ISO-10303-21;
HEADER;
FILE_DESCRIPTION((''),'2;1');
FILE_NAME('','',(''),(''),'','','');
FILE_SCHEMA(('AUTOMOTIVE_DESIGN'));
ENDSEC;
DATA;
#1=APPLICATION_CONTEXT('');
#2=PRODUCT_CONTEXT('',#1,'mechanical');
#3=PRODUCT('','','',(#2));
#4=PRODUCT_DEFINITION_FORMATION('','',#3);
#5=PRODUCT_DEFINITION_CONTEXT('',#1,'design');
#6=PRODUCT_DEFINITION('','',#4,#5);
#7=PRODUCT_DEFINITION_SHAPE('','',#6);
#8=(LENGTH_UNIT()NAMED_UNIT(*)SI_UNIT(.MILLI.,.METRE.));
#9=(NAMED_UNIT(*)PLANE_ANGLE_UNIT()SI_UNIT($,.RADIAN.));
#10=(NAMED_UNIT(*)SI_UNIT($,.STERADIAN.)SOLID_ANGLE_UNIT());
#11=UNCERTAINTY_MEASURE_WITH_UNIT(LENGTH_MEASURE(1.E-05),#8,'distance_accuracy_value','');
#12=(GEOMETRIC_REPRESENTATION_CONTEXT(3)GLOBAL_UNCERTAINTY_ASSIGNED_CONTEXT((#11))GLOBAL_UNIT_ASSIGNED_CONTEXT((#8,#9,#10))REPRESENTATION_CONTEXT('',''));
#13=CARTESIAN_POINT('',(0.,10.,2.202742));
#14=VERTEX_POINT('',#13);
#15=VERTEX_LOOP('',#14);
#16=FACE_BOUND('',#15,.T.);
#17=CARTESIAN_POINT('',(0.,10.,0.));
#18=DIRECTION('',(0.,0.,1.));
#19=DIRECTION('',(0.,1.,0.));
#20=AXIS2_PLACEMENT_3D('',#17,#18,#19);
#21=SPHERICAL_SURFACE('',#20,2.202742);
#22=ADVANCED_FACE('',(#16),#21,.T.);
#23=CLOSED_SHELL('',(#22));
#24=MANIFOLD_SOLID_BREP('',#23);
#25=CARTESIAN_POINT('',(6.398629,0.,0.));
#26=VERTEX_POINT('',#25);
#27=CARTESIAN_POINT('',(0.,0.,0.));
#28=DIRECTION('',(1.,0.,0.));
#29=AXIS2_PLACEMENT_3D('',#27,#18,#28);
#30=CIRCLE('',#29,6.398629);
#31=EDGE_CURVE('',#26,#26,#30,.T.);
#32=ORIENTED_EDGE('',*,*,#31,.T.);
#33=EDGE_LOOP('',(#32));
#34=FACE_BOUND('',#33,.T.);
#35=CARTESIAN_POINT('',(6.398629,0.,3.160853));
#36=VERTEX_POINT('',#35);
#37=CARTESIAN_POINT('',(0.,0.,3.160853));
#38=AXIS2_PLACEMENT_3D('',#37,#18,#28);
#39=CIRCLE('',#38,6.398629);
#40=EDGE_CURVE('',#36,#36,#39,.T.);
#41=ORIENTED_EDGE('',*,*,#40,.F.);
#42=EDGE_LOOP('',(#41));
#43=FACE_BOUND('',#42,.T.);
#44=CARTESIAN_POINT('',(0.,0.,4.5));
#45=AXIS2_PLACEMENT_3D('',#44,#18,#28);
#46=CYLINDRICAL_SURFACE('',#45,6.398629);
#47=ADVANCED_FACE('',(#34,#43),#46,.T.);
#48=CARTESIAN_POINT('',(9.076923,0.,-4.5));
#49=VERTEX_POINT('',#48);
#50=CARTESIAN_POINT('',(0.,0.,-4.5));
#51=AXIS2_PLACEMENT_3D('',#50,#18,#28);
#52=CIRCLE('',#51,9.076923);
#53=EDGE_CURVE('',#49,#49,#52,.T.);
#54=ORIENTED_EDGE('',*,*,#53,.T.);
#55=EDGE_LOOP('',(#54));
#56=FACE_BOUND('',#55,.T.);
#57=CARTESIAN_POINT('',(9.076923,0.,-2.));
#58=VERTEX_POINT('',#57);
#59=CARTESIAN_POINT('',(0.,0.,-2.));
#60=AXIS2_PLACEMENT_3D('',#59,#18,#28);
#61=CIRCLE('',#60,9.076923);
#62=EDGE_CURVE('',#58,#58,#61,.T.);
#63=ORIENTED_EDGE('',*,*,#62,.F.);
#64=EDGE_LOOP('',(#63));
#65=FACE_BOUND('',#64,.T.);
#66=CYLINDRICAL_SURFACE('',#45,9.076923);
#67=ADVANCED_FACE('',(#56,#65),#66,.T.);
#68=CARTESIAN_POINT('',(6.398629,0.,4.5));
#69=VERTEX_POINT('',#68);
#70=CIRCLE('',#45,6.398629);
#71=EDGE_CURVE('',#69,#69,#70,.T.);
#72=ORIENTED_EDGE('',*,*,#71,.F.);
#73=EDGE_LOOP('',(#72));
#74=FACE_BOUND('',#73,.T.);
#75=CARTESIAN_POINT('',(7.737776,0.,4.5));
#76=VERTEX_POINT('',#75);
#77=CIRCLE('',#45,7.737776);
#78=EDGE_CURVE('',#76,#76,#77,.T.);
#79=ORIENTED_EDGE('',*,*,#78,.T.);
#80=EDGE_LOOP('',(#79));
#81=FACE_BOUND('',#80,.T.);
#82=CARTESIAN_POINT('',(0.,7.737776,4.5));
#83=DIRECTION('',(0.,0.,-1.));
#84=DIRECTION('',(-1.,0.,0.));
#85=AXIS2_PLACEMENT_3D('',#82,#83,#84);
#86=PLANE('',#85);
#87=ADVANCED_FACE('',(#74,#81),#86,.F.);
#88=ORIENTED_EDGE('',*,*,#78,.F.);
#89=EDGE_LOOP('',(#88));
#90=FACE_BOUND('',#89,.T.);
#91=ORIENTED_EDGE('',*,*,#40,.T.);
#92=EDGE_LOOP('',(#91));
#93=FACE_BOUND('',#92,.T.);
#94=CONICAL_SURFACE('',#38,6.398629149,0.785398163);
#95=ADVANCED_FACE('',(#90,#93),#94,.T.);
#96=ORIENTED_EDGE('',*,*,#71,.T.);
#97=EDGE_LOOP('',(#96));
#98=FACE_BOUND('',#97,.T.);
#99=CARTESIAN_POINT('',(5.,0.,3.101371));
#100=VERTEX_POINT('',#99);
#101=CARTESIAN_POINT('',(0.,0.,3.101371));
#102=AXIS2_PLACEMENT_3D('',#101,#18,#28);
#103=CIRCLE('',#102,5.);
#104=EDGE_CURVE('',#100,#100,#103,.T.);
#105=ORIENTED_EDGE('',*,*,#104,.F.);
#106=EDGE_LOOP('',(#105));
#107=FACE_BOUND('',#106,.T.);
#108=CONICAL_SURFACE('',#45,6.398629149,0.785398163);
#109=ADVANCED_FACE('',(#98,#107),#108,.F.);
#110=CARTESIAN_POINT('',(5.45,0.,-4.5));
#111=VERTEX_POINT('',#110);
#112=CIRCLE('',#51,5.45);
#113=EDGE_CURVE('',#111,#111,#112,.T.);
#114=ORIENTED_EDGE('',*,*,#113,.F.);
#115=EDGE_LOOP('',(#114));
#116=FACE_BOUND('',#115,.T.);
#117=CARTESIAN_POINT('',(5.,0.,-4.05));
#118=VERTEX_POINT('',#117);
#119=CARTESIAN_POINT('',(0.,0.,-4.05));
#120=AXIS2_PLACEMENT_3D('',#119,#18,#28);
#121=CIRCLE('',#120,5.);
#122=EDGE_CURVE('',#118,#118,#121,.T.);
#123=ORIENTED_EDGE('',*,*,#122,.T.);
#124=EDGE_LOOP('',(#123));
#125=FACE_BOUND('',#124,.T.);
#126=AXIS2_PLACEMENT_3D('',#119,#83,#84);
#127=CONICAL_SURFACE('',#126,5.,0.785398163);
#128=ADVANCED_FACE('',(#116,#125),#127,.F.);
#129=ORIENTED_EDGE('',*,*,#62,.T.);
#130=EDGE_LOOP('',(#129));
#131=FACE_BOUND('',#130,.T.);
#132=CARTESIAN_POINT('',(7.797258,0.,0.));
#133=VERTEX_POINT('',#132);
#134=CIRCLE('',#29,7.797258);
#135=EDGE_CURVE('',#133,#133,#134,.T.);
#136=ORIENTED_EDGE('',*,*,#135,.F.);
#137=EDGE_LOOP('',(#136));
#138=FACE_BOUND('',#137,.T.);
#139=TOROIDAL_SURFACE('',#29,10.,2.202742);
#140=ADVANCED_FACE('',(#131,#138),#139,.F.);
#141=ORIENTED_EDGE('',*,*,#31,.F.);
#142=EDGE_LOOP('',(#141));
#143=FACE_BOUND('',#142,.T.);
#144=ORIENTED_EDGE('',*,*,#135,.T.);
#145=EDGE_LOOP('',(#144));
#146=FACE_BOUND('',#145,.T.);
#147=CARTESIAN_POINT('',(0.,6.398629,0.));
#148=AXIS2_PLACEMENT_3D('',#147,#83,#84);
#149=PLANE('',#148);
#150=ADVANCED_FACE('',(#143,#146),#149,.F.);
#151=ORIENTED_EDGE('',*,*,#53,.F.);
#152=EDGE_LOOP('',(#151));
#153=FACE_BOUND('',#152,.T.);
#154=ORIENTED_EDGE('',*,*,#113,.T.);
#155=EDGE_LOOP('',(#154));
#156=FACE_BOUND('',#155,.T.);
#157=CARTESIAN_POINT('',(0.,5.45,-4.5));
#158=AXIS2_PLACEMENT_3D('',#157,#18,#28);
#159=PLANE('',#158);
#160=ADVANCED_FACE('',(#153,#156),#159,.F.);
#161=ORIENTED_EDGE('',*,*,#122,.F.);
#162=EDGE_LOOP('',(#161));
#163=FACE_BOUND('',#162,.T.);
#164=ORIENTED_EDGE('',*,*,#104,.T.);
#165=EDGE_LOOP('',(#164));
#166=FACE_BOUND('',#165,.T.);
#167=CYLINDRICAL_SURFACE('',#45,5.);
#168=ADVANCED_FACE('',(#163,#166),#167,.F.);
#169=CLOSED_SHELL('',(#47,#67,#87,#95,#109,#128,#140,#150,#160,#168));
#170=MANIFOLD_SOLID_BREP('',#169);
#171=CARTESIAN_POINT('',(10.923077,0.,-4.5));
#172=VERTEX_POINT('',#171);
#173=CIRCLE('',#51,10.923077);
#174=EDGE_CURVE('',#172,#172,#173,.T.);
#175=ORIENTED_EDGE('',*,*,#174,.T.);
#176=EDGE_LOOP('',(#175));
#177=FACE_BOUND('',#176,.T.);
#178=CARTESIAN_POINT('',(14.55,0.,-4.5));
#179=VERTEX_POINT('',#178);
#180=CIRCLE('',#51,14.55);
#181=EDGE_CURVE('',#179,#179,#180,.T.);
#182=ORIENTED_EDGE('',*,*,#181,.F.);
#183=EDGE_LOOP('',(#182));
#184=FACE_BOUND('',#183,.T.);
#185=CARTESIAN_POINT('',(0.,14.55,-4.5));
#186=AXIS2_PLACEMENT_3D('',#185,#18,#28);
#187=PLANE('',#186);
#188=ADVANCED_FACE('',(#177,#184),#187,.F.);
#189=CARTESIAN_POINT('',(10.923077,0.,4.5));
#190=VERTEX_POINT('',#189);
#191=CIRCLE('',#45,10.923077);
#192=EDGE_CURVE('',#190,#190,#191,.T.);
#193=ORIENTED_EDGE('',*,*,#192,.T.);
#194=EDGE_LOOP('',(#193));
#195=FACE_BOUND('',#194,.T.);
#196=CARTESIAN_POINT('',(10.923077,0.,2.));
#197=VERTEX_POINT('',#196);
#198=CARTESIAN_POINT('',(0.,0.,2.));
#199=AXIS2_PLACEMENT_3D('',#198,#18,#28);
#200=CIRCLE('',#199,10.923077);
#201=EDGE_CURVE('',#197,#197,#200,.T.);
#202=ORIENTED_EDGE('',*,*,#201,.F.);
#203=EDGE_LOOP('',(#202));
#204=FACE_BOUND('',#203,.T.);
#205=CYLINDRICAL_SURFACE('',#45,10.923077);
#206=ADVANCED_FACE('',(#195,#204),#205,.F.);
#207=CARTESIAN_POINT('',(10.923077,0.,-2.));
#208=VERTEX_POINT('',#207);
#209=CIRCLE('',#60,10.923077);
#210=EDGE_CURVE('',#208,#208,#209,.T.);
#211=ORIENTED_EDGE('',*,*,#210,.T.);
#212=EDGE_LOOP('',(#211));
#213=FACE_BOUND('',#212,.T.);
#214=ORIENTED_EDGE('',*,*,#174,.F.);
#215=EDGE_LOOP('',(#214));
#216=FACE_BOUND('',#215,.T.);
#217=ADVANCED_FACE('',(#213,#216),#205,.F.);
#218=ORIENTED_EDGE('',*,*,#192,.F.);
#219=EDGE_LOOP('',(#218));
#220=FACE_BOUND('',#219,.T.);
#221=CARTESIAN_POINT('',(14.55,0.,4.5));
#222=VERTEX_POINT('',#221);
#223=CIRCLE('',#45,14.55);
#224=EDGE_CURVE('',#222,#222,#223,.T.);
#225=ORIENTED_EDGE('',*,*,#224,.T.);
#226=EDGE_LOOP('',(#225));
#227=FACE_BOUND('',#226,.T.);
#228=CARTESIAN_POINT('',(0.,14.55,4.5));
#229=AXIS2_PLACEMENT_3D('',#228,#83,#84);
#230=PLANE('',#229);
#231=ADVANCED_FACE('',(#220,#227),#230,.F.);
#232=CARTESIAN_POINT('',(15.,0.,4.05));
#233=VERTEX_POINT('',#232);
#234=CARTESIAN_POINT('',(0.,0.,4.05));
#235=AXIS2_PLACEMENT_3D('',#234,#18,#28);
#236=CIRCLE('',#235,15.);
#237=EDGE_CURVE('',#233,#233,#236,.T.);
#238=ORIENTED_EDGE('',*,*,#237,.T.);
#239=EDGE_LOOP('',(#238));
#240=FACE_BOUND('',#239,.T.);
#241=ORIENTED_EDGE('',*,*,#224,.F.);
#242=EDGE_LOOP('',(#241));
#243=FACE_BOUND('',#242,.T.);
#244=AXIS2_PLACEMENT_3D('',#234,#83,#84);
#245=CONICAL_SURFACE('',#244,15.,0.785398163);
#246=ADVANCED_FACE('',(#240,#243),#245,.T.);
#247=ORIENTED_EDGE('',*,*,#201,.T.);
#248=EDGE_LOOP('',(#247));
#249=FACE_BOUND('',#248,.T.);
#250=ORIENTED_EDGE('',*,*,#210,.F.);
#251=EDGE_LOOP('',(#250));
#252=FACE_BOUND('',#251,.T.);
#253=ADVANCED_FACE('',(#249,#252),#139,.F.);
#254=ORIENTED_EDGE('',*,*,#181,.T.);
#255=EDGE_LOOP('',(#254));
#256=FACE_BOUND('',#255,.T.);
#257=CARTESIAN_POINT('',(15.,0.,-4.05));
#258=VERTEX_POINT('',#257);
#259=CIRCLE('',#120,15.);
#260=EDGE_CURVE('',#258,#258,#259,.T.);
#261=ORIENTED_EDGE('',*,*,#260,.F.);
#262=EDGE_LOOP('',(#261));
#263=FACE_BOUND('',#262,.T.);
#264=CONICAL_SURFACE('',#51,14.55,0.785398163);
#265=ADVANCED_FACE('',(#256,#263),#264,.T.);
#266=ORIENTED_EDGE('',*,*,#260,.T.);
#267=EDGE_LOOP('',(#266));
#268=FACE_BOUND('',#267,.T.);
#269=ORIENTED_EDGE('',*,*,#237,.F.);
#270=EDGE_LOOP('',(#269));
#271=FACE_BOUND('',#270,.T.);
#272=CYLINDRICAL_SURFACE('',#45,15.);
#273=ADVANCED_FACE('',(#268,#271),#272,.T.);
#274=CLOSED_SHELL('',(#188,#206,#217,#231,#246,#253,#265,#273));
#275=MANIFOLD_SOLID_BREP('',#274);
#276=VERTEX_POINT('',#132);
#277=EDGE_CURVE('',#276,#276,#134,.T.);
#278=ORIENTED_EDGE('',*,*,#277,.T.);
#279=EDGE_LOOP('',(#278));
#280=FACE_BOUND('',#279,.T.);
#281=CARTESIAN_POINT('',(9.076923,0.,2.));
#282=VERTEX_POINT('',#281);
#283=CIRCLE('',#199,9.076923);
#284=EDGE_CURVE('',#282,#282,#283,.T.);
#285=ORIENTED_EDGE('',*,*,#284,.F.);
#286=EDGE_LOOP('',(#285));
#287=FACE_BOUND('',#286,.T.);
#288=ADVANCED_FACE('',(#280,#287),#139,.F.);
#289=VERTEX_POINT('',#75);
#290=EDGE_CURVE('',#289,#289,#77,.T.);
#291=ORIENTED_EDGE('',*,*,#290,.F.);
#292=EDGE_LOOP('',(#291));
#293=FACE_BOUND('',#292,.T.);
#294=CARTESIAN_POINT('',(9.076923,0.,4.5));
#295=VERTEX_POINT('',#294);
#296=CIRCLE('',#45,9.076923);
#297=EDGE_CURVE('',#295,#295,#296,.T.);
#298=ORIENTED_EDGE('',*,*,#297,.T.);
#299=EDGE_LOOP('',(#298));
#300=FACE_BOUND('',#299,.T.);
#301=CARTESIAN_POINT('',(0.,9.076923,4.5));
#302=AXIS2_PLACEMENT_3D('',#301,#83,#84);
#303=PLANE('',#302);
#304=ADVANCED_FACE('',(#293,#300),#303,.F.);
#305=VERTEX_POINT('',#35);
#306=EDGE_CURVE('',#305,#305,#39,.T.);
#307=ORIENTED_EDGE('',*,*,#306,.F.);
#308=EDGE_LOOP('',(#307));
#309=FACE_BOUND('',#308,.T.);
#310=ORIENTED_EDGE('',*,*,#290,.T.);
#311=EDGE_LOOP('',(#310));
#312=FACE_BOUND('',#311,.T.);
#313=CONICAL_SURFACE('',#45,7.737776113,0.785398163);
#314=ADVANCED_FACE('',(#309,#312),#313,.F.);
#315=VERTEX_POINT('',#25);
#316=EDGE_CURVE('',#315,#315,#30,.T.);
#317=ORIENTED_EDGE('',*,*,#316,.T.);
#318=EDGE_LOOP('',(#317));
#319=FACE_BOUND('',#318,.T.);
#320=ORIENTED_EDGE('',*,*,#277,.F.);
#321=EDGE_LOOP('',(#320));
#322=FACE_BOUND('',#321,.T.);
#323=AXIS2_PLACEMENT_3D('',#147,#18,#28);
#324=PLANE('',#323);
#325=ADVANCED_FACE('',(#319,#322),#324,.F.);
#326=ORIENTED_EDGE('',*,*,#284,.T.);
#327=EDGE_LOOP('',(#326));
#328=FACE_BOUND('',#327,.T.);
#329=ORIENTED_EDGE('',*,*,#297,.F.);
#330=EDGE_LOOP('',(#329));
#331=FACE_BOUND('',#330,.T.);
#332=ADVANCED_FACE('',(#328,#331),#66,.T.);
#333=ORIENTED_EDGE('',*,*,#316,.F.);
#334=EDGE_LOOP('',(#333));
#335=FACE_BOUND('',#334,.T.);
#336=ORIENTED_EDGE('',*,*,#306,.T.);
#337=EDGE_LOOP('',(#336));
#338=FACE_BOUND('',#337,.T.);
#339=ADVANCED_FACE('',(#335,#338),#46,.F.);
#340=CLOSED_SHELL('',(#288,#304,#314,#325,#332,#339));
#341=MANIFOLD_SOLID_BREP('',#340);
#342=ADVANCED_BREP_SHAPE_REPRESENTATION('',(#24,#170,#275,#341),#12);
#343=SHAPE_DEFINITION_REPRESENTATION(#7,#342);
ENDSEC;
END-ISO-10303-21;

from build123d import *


with BuildPart() as part:
    # Sketch1 → Revolve1 (revolve)
    with BuildSketch(Plane(origin=(0, 0, 0), x_dir=(0, 0, -1), z_dir=(1, 0, 0))):
        with BuildLine():
            Line((4.05, 15), (-4.05, 15))
            Line((-4.05, 15), (-4.5, 14.55))
            Line((-4.5, 14.55), (-4.5, 10.923076923))
            Line((-4.5, 10.923076923), (-2, 10.923076923))
            ThreePointArc((-2, 10.923076923), (0, 12.202741702), (2, 10.923076923))
            Line((2, 10.923076923), (4.5, 10.923076923))
            Line((4.5, 10.923076923), (4.5, 14.55))
            Line((4.5, 14.55), (4.05, 15))
        make_face()
    revolve(axis=Axis((0, 0, 4.5), (0, 0, -1)))


with BuildPart() as body_2:
    # Sketch2 → Revolve2 (revolve)
    with BuildSketch(Plane(origin=(0, 0, 0), x_dir=(0, 0, -1), z_dir=(1, 0, 0))):
        with BuildLine():
            Line((-4.5, 9.076923077), (-2, 9.076923077))
            ThreePointArc((-2, 9.076923077), (-1.187175424, 8.144552475), (0, 7.797258298))
            Line((0, 7.797258298), (0, 6.398629149))
            Line((0, 6.398629149), (-3.160853036, 6.398629149))
            Line((-3.160853036, 6.398629149), (-4.5, 7.737776113))
            Line((-4.5, 7.737776113), (-4.5, 9.076923077))
        make_face()
    revolve(axis=Axis((0, 0, 4.5), (0, 0, -1)))


with BuildPart() as body_3:
    # Sketch3 → Revolve3 (revolve)
    with BuildSketch(Plane(origin=(0, 0, 0), x_dir=(0, 0, -1), z_dir=(1, 0, 0))):
        with BuildLine():
            Line((-4.5, 7.737776113), (-3.160853036, 6.398629149))
            Line((-3.160853036, 6.398629149), (0, 6.398629149))
            Line((0, 6.398629149), (0, 7.797258298))
            ThreePointArc((0, 7.797258298), (1.187175424, 8.144552475), (2, 9.076923077))
            Line((2, 9.076923077), (4.5, 9.076923077))
            Line((4.5, 9.076923077), (4.5, 5.45))
            Line((4.5, 5.45), (4.05, 5))
            Line((4.05, 5), (-3.101370851, 5))
            Line((-3.101370851, 5), (-4.5, 6.398629149))
            Line((-4.5, 6.398629149), (-4.5, 7.737776113))
        make_face()
    revolve(axis=Axis((0, 0, 4.5), (0, 0, -1)))


with BuildPart() as body_4:
    # Sketch4 → Revolve4 (revolve)
    with BuildSketch(Plane(origin=(0, 0, 0), x_dir=(0, 0, -1), z_dir=(1, 0, 0))):
        with BuildLine():
            Line((-2.202741702, 10), (2.202741702, 10))
            ThreePointArc((2.202741702, 10), (0, 12.202741702), (-2.202741702, 10))
        make_face()
    revolve(axis=Axis((0, 10, 2.202741702), (0, 0, -1)))


solid = Compound([part.part, body_2.part, body_3.part, body_4.part])
